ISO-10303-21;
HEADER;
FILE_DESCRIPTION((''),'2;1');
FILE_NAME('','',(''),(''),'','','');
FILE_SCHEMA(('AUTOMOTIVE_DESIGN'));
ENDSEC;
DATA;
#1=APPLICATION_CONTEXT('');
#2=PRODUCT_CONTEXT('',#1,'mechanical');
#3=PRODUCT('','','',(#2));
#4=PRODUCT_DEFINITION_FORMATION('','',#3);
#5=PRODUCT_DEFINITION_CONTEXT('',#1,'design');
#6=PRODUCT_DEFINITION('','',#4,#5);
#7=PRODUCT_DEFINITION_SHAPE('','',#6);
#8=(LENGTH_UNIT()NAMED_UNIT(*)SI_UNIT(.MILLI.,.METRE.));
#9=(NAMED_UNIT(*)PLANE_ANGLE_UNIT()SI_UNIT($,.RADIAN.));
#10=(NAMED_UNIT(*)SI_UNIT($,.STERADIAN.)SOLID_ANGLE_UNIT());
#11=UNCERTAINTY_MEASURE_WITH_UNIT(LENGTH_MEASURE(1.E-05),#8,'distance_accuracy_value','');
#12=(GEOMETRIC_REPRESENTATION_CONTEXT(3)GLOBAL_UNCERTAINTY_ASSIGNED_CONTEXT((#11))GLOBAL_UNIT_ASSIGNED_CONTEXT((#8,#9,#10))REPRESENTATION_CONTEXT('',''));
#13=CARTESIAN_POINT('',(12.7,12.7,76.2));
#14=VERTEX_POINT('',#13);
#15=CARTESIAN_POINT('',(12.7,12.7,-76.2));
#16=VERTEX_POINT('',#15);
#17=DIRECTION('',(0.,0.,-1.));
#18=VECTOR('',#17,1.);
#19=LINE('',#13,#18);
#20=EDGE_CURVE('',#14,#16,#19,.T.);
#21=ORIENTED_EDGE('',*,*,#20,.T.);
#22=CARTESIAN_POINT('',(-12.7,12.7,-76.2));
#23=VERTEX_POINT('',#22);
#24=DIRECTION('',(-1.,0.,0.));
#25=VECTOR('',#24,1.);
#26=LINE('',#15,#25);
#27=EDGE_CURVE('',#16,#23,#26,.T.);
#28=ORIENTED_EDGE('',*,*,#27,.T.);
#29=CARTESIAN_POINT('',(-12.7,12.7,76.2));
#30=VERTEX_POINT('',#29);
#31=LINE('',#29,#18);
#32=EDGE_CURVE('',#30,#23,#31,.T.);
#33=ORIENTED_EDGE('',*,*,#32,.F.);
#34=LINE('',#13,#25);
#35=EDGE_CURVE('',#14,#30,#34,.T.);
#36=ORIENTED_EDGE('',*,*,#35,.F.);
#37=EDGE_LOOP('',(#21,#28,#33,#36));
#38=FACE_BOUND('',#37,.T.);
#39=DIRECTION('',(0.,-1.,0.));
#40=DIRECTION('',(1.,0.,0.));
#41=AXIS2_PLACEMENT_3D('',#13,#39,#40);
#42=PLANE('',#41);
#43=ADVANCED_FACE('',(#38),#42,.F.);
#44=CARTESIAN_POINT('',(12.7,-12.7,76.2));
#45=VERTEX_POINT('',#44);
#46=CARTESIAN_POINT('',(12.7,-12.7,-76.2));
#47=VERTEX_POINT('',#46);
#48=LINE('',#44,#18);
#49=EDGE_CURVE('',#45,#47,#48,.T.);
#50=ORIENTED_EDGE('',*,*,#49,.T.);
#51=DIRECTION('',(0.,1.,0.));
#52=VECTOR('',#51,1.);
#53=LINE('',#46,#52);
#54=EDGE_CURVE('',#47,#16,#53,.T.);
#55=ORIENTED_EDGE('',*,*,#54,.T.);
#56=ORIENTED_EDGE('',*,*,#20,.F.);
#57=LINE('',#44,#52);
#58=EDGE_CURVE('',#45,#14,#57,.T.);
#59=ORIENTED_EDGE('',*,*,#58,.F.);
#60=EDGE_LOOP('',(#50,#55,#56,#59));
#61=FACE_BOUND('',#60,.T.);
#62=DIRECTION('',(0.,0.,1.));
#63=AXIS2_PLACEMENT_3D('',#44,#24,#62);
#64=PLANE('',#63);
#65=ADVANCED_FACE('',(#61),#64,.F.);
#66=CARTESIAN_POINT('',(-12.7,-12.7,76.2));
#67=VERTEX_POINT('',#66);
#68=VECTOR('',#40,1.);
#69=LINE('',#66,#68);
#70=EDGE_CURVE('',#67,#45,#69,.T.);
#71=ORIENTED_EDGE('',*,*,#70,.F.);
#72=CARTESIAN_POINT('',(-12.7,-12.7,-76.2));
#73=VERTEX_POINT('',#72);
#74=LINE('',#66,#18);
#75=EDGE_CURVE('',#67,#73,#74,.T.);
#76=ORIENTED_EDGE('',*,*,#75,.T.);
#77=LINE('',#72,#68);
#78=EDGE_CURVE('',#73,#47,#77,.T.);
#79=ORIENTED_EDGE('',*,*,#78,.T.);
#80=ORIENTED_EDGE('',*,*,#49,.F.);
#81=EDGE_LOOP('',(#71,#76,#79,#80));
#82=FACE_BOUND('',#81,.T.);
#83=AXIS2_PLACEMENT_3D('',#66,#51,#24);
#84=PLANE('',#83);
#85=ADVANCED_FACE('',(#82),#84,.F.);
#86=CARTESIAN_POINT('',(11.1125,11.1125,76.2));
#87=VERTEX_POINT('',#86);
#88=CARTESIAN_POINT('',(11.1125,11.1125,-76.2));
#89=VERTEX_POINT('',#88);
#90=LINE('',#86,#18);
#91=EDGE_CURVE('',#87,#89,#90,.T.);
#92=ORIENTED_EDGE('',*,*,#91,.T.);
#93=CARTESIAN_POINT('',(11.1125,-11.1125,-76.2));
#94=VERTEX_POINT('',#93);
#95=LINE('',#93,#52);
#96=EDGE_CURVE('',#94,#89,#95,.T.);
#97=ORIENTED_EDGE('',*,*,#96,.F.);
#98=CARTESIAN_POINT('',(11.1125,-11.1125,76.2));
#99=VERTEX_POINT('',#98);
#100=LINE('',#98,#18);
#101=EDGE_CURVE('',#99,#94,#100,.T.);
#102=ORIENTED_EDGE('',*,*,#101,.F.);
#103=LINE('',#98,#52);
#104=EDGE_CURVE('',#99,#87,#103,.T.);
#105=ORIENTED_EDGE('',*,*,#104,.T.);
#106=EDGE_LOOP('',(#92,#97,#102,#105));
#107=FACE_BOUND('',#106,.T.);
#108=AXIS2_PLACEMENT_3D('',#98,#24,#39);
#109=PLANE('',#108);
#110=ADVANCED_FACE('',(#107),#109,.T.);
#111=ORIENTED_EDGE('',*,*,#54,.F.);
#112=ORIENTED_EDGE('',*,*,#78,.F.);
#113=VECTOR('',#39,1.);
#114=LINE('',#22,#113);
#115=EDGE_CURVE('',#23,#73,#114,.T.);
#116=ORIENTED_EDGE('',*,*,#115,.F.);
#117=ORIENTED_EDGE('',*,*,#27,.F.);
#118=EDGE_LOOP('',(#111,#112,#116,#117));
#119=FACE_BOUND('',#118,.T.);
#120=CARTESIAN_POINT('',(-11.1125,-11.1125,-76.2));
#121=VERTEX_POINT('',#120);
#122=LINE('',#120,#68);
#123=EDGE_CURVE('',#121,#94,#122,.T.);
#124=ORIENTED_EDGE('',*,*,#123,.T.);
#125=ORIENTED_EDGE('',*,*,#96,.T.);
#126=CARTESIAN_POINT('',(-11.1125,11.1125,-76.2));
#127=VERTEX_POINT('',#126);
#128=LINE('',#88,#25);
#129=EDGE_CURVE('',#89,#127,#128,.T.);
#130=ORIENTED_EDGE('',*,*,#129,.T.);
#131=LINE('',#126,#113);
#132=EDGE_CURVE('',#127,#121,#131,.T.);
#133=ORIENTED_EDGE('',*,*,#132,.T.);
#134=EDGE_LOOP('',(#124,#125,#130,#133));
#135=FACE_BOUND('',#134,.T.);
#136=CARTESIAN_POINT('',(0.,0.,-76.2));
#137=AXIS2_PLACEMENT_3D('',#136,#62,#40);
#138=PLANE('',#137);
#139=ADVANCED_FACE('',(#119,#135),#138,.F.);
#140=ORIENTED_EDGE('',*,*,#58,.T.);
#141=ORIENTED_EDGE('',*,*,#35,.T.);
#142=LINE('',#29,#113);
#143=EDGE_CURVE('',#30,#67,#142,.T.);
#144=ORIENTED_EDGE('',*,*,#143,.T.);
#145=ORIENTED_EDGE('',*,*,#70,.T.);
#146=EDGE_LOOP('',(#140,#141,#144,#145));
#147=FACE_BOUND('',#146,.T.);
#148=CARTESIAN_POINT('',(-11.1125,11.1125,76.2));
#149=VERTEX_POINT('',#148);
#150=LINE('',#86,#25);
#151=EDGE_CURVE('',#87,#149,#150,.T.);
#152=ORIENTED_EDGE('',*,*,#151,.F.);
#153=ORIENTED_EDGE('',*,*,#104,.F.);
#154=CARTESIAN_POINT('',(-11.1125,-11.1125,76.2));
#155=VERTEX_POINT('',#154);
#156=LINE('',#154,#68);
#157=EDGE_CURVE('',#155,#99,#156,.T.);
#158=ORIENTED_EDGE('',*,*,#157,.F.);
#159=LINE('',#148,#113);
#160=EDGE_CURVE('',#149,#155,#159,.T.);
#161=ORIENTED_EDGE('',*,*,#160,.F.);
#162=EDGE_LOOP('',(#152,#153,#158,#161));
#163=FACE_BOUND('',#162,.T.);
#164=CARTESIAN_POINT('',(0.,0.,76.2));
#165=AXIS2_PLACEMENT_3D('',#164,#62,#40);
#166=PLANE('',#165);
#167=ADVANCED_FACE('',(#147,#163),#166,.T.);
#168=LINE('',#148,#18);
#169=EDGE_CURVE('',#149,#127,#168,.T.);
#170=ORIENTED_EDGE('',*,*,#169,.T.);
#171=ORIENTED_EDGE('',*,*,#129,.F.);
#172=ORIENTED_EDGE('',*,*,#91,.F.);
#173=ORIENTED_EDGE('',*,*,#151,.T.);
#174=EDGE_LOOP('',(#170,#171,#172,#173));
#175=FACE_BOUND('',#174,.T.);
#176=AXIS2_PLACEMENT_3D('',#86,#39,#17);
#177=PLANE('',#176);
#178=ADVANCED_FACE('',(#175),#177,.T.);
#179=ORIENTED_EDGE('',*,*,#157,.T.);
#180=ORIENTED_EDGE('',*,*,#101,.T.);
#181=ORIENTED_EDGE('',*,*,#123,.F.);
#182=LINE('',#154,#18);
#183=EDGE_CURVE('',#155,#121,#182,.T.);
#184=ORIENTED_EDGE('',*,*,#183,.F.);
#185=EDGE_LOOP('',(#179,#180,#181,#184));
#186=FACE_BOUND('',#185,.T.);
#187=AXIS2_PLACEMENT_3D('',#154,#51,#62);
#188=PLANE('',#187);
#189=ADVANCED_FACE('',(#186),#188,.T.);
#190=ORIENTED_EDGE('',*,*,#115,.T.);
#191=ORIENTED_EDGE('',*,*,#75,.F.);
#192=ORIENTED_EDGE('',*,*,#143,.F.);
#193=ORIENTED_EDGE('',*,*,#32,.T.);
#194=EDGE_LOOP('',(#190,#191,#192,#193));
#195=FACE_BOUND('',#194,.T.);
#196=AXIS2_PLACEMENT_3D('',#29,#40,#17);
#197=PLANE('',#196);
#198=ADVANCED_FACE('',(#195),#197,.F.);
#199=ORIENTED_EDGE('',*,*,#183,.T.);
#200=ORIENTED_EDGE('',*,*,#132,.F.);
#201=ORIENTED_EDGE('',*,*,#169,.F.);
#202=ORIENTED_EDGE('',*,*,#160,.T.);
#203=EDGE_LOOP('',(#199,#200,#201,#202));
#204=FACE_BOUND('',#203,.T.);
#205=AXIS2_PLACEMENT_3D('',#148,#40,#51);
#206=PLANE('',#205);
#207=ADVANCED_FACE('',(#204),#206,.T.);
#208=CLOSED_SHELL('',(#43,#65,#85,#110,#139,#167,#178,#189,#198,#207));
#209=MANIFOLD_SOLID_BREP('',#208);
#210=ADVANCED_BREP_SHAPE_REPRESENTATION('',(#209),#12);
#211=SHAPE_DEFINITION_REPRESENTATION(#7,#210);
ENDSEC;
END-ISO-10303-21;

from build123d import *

# Parameters (mm, degrees)
SKETCH3_W                = 25.4
SKETCH3_H                = 25.4
SKETCH3_W_2              = 22.225
SKETCH3_H_2              = 22.225
BOSS_EXTRUDE1_DEPTH      = 76.2
BOSS_EXTRUDE1_DEPTH_BACK = 76.2


with BuildPart() as part:
    # Sketch3 → Boss-Extrude1 (new body, two sides)
    with BuildSketch(Plane.XY) as boss_extrude1_sk:
        Rectangle(SKETCH3_W, SKETCH3_H)
        Rectangle(SKETCH3_W_2, SKETCH3_H_2, mode=Mode.SUBTRACT)
    extrude(amount=BOSS_EXTRUDE1_DEPTH)
    extrude(boss_extrude1_sk.sketch, amount=-BOSS_EXTRUDE1_DEPTH_BACK)


solid = part.part
